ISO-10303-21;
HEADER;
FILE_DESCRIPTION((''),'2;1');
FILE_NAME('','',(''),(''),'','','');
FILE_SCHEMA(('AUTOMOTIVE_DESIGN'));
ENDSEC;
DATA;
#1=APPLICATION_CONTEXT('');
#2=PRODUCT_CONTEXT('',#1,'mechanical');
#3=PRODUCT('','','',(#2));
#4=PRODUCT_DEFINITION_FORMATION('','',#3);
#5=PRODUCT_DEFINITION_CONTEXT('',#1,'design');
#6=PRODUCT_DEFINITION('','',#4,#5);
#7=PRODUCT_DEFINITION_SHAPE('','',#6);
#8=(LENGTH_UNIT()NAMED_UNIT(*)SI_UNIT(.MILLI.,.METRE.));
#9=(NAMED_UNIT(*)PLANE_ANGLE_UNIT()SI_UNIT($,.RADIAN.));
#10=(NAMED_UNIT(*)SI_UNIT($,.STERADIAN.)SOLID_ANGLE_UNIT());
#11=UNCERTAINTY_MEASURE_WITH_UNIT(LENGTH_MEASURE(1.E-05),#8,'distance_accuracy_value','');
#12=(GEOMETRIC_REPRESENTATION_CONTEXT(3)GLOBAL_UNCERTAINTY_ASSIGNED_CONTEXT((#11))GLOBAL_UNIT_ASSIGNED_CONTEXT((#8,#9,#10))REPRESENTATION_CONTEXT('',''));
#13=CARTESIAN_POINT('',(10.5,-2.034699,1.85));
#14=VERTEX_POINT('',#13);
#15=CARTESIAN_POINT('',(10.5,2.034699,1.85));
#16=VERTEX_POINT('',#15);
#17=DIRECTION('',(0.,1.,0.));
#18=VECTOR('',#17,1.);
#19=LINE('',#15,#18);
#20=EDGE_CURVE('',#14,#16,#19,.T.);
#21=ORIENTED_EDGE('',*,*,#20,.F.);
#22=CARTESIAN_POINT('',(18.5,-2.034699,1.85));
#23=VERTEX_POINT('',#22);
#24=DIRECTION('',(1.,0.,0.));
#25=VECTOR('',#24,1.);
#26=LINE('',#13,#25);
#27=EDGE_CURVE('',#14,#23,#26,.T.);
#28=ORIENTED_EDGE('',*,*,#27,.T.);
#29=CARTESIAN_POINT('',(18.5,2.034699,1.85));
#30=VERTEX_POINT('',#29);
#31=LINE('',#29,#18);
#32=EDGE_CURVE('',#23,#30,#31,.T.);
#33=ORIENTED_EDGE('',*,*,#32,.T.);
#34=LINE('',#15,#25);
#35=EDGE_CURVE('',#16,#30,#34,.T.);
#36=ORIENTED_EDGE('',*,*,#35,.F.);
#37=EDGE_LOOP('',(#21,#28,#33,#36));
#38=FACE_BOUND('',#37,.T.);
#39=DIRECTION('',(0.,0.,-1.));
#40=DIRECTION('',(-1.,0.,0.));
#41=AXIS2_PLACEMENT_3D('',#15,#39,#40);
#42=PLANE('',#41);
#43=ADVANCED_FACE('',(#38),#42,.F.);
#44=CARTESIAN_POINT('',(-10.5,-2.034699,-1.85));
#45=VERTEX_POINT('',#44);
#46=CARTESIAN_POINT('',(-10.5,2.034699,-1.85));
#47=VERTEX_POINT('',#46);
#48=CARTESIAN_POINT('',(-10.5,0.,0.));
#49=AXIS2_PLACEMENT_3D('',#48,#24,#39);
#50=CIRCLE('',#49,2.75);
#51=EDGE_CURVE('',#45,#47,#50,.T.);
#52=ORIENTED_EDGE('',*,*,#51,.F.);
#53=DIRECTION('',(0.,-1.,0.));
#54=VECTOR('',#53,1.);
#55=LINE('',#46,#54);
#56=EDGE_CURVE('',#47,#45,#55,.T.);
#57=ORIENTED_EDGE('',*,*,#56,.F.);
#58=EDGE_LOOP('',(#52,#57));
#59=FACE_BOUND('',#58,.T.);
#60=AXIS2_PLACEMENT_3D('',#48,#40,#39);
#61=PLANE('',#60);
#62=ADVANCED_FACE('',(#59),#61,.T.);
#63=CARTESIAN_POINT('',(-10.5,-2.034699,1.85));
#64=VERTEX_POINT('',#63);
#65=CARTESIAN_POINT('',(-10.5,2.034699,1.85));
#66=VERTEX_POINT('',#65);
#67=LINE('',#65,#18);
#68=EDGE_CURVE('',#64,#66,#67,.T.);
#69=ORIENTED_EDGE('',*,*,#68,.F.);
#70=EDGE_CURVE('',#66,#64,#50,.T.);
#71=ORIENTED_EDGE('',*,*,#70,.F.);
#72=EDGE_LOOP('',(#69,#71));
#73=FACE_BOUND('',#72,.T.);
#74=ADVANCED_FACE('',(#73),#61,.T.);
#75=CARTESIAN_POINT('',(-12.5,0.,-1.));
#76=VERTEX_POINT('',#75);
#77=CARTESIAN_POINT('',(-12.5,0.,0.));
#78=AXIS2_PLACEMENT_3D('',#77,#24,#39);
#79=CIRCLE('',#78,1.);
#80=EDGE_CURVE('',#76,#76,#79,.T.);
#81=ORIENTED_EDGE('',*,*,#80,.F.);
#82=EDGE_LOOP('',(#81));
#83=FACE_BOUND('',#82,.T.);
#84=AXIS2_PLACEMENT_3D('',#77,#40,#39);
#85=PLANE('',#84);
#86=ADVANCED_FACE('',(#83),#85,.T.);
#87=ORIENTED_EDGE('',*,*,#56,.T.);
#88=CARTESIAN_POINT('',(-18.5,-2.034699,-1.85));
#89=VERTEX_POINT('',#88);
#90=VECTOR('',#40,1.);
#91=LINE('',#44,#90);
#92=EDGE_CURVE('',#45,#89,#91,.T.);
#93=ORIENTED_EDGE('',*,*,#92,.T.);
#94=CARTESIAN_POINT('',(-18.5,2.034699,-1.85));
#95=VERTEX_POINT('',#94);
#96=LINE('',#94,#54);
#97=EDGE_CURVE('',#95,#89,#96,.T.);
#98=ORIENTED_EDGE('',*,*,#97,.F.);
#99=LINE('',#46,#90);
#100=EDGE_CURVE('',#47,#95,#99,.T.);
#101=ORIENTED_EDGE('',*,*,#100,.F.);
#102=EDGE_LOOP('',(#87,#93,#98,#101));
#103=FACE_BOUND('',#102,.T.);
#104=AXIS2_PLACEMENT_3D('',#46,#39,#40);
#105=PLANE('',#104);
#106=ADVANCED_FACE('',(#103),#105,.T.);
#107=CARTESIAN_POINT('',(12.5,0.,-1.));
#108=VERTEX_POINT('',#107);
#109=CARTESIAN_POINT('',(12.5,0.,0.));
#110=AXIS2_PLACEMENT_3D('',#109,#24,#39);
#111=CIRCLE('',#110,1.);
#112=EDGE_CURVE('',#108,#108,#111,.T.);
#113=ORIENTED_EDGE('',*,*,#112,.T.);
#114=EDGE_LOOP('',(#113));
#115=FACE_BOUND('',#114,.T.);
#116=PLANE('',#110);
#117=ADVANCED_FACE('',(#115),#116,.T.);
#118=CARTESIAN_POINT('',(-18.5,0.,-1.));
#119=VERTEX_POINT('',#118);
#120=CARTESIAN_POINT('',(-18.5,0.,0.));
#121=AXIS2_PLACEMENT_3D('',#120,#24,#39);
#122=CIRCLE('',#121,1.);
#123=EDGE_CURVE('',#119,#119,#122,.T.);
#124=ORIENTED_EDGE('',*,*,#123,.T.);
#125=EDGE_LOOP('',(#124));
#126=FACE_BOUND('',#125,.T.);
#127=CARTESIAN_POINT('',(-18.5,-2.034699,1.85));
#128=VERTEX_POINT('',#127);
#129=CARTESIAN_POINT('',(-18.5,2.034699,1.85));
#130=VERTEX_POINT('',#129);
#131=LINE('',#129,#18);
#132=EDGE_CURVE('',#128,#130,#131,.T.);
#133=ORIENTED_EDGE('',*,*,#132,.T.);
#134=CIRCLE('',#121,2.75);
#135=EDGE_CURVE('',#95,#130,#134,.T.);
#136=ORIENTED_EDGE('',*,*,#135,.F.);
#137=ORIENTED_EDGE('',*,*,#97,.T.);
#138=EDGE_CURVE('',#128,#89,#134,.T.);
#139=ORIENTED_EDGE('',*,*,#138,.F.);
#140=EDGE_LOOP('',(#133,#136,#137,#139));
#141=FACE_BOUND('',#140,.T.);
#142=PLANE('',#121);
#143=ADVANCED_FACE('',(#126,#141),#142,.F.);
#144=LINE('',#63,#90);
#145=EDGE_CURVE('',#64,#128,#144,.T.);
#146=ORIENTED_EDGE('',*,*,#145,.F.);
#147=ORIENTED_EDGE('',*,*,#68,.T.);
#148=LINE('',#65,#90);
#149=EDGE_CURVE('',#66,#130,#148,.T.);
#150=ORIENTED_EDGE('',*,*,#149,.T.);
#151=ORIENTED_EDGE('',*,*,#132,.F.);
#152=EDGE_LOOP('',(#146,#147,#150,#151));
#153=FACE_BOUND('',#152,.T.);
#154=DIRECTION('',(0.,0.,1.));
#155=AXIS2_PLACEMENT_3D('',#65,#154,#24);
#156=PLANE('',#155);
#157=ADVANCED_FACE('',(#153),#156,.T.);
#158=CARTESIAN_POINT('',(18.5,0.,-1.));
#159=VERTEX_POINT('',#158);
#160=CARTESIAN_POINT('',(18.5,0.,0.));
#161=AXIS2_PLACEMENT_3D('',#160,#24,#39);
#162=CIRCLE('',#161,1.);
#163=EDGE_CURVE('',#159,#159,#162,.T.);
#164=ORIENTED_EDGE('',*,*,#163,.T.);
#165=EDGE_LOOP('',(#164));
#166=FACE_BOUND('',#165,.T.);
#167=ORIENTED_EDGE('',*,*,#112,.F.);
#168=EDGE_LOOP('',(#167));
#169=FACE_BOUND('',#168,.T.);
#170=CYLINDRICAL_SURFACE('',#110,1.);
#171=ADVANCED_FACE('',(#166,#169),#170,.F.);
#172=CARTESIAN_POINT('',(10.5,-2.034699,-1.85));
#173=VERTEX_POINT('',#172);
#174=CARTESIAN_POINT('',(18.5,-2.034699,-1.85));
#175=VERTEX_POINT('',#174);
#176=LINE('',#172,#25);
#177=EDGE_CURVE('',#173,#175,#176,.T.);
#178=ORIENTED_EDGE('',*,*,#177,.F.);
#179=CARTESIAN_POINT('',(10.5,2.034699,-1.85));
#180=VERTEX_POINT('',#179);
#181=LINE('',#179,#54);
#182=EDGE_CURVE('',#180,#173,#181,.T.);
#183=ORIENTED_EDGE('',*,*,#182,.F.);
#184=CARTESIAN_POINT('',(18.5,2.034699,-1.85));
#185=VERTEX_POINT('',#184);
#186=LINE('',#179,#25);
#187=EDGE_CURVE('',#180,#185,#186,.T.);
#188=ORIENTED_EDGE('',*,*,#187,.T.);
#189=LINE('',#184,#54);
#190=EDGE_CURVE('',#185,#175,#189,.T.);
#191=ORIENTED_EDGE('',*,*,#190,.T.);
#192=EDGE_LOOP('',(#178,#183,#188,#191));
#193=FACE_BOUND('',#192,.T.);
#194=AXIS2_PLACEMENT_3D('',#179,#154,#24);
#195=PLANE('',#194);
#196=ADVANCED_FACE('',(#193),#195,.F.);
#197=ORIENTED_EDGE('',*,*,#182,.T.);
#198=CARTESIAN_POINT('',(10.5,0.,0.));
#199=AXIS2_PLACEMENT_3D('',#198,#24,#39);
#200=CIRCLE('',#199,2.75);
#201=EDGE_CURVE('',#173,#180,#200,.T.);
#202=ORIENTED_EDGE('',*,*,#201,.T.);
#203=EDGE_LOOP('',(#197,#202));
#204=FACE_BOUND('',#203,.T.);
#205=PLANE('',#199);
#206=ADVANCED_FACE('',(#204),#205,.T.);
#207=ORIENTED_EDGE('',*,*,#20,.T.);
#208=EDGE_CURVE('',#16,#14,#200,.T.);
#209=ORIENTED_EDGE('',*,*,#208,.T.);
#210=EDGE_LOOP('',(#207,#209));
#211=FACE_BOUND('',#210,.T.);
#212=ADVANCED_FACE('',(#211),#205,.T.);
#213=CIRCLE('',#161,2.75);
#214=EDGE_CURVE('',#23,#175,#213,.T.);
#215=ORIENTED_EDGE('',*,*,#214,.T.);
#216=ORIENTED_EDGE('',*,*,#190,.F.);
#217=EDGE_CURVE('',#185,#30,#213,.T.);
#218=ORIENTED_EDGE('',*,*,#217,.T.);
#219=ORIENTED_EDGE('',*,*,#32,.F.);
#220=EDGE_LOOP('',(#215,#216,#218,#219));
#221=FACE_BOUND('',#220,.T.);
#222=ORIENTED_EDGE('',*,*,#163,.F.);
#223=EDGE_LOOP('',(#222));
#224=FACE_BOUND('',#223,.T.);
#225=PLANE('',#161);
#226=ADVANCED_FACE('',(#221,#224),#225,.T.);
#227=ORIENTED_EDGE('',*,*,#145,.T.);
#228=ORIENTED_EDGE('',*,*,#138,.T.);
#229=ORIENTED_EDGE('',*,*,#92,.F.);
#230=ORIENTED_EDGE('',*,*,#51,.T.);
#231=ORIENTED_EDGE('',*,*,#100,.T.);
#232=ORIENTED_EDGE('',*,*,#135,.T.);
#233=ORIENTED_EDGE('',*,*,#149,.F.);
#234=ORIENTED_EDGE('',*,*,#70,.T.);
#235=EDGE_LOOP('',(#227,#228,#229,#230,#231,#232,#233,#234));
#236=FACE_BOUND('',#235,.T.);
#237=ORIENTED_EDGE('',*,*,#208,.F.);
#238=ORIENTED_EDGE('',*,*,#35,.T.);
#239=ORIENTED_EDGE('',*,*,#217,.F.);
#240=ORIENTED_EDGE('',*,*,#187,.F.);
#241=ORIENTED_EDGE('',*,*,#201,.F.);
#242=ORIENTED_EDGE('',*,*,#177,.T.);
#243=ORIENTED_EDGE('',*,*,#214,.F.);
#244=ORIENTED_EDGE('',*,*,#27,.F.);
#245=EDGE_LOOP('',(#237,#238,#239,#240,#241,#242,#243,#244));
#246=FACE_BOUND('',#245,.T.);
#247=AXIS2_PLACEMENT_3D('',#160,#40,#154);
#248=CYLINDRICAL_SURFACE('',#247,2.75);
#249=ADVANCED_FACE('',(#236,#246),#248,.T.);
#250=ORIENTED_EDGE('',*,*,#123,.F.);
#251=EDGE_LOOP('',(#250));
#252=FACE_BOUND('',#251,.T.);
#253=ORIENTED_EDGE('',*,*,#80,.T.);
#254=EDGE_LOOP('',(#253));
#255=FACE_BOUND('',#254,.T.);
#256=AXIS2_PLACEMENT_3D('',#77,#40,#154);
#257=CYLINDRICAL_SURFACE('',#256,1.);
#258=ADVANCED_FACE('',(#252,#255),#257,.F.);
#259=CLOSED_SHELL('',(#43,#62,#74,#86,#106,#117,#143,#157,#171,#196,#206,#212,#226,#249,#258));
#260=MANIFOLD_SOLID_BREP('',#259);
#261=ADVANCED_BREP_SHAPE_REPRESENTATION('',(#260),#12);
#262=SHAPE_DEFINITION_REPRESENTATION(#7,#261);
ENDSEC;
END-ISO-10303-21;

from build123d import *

# Parameters (mm, degrees)
SKETCH1_R           = 2.75
BOSS_EXTRUDE1_DEPTH = 18.5
CUT_EXTRUDE1_DEPTH  = 8
SKETCH3_R           = 1
CUT_EXTRUDE2_DEPTH  = 6


with BuildPart() as part:
    # Sketch1 → Boss-Extrude1 (new, symmetric)
    with BuildSketch(Plane(origin=(0, 0, 0), x_dir=(0, 0, -1), z_dir=(1, 0, 0))):
        Circle(SKETCH1_R)
    extrude(amount=BOSS_EXTRUDE1_DEPTH, both=True)

    # Sketch2 → Cut-Extrude1 (cut)
    with BuildSketch(Plane(origin=(18.5, 0, 0), x_dir=(0, 0, -1), z_dir=(1, 0, 0))):
        with BuildLine():
            Line((-1.85, 2.034698995), (-1.85, -2.034698995))
            ThreePointArc((-1.85, -2.034698995), (-2.75, 0), (-1.85, 2.034698995))
        make_face()
        with BuildLine():
            Line((1.85, 2.034698995), (1.85, -2.034698995))
            ThreePointArc((1.85, -2.034698995), (2.75, 0), (1.85, 2.034698995))
        make_face()
    cut_extrude1 = extrude(amount=-CUT_EXTRUDE1_DEPTH, mode=Mode.SUBTRACT)

    # Sketch3 → Cut-Extrude2 (cut)
    with BuildSketch(Plane(origin=(18.5, 0, 0), x_dir=(0, 0, -1), z_dir=(1, 0, 0))):
        Circle(SKETCH3_R)
    cut_extrude2 = extrude(amount=-CUT_EXTRUDE2_DEPTH, mode=Mode.SUBTRACT)

    # Mirror1: Cut-Extrude1, Cut-Extrude2 across plane
    add(cut_extrude1.mirror(Plane(origin=(0, 0, 0), x_dir=(0, 0, 1), z_dir=(1, 0, 0))), mode=Mode.SUBTRACT)
    add(cut_extrude2.mirror(Plane(origin=(0, 0, 0), x_dir=(0, 0, 1), z_dir=(1, 0, 0))), mode=Mode.SUBTRACT)


solid = part.part
